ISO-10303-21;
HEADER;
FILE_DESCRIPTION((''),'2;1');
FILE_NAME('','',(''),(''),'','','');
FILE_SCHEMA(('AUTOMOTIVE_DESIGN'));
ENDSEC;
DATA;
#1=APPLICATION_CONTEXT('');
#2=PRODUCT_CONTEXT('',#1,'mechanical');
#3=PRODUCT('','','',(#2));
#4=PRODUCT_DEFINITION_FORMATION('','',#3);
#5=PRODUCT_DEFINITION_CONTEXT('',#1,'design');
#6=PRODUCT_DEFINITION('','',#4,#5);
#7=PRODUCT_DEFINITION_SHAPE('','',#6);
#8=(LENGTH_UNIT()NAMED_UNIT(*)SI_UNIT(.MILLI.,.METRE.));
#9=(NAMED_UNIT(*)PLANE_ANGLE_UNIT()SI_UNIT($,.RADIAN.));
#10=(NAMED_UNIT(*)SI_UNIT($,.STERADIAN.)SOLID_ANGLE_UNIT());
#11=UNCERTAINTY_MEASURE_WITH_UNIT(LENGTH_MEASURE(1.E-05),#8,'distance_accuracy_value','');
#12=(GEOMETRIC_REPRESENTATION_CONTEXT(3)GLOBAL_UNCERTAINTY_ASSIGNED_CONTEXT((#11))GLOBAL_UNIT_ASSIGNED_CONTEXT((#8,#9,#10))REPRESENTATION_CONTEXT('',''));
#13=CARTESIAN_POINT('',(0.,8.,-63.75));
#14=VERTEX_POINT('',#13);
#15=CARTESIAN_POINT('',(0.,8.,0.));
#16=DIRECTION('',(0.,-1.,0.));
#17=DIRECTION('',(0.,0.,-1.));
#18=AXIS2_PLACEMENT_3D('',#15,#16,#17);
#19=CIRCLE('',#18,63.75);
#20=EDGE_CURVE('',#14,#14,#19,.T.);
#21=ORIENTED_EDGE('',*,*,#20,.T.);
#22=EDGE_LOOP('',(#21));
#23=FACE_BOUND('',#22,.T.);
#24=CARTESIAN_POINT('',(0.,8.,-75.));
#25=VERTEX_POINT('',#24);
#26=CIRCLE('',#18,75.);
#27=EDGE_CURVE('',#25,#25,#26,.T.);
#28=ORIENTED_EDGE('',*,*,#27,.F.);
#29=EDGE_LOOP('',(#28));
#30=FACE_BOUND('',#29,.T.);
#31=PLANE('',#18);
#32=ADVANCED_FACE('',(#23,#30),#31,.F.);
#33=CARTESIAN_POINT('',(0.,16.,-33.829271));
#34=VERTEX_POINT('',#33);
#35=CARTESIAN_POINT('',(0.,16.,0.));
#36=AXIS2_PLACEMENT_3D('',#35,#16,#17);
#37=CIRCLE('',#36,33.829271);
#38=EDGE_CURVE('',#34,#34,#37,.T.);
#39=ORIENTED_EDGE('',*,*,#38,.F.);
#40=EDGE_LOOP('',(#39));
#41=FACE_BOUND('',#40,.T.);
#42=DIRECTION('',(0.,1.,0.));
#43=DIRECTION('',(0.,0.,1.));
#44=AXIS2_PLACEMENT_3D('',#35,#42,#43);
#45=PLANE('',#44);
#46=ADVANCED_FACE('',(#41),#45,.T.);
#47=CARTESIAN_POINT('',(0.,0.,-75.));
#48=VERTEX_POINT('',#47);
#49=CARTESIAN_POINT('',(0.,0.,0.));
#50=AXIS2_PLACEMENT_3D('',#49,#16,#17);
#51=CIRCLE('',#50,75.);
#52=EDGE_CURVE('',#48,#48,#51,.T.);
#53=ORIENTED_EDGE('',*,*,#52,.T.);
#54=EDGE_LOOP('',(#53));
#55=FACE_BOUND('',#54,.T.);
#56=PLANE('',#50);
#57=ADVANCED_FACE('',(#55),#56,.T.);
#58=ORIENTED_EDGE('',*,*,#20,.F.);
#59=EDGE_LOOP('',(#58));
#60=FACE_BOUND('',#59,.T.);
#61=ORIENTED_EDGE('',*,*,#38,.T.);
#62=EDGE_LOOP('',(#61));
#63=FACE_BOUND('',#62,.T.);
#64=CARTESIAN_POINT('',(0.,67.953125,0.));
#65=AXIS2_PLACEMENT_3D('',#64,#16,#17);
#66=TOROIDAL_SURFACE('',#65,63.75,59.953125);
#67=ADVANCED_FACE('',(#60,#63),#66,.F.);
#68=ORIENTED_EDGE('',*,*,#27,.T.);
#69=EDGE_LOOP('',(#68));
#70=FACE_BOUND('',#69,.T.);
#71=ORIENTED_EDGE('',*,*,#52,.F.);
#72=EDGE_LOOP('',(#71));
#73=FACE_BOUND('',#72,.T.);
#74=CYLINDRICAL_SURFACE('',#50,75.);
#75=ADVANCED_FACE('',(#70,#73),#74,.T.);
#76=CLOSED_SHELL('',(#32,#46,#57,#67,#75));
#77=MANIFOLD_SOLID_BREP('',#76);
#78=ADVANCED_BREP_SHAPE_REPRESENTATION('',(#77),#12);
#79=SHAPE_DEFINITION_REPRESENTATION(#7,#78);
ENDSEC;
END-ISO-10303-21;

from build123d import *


with BuildPart() as part:
    # Sketch1 → Revolve1 (revolve)
    with BuildSketch(Plane(origin=(0, 0, 0), x_dir=(0, 0, -1), z_dir=(1, 0, 0))):
        with BuildLine():
            ThreePointArc((33.829271399, 16), (48.264119334, 10.034520931), (63.75, 8))
            Line((63.75, 8), (75, 8))
            Line((75, 8), (75, 0))
            Line((75, 0), (0, 0))
            Line((0, 0), (0, 16))
            Line((0, 16), (33.829271399, 16))
        make_face()
    revolve(axis=Axis((0, 0, 0), (0, 1, 0)))


solid = part.part
